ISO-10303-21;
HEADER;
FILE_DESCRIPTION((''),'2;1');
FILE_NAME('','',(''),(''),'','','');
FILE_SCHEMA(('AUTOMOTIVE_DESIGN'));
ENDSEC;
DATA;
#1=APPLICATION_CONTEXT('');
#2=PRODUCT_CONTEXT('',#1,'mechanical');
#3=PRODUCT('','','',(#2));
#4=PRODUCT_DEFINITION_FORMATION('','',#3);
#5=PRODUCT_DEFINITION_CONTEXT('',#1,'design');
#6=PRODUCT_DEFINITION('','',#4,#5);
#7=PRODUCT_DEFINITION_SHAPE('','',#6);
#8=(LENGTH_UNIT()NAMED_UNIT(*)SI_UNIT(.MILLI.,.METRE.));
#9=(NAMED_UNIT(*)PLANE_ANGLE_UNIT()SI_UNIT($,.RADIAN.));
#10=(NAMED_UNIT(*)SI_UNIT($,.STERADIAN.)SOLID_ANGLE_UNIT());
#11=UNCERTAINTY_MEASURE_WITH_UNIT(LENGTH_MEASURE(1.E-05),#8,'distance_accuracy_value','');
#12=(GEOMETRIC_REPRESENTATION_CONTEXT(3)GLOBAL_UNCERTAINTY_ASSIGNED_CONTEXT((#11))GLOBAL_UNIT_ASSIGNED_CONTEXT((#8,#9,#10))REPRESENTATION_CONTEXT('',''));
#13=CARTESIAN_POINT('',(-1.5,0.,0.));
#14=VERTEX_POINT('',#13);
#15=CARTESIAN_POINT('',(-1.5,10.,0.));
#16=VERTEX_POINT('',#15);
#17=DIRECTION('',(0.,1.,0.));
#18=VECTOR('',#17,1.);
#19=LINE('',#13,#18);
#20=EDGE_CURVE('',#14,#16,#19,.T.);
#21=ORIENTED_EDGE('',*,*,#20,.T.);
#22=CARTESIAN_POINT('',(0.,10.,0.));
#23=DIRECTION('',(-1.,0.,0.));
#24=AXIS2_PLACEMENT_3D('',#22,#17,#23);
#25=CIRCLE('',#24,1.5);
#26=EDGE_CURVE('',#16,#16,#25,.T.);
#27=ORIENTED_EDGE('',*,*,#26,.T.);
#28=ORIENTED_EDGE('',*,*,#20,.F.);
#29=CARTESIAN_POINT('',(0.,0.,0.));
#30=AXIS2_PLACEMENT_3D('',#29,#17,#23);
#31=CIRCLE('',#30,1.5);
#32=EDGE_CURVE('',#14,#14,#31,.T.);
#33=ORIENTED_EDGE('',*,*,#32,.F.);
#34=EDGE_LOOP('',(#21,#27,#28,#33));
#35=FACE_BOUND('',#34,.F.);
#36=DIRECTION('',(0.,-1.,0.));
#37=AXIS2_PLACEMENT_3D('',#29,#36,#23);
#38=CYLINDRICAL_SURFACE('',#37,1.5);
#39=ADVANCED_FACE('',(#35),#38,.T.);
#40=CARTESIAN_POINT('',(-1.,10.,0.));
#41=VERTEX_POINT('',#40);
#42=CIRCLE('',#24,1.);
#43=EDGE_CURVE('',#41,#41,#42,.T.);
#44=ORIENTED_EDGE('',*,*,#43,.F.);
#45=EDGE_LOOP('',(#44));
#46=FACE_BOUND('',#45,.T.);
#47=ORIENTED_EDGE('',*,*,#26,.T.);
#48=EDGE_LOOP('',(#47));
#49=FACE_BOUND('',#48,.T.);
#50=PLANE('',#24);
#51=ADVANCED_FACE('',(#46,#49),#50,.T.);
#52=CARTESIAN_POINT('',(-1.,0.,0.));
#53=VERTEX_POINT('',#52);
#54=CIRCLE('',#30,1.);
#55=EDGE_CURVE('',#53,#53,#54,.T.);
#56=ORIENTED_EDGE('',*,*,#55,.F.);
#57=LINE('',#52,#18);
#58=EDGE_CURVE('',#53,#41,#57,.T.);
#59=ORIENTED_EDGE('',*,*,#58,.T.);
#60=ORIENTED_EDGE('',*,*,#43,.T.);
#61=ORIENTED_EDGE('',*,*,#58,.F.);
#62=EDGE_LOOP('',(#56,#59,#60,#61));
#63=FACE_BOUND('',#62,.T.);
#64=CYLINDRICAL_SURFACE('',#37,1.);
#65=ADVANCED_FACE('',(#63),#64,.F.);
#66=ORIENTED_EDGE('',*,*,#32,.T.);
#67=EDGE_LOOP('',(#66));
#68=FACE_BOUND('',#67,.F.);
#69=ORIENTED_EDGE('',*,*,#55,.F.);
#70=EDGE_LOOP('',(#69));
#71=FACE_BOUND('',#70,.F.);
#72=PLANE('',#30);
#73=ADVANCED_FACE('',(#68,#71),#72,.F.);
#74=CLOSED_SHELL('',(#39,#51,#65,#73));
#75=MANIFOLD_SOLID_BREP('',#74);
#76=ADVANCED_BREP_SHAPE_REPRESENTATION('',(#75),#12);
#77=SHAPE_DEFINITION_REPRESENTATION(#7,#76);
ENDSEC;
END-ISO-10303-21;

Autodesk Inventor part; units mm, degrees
ref_plane "YZ Plane" through (0, 0, 0) normal (1, 0, 0) x (0, 1, 0)
ref_plane "XZ Plane" through (0, 0, 0) normal (0, 1, 0) x (-1, 0, 0)
ref_plane "XY Plane" through (0, 0, 0) normal (0, 0, 1) x (1, 0, 0)
sketch "Sketch1" plane through (0, 0, 0) normal (0, 1, 0) x (-1, 0, 0)
  circle A0 centre (0, 0) radius 1
  circle A1 centre (0, 0) radius 1.5
  dimension "d0" = 2
  dimension "d1" = 3
extrude "Extrusion1" add sketch "Sketch1" along normal blind 10
properties part number "speaker_standoff" material "ABS Plastic"
